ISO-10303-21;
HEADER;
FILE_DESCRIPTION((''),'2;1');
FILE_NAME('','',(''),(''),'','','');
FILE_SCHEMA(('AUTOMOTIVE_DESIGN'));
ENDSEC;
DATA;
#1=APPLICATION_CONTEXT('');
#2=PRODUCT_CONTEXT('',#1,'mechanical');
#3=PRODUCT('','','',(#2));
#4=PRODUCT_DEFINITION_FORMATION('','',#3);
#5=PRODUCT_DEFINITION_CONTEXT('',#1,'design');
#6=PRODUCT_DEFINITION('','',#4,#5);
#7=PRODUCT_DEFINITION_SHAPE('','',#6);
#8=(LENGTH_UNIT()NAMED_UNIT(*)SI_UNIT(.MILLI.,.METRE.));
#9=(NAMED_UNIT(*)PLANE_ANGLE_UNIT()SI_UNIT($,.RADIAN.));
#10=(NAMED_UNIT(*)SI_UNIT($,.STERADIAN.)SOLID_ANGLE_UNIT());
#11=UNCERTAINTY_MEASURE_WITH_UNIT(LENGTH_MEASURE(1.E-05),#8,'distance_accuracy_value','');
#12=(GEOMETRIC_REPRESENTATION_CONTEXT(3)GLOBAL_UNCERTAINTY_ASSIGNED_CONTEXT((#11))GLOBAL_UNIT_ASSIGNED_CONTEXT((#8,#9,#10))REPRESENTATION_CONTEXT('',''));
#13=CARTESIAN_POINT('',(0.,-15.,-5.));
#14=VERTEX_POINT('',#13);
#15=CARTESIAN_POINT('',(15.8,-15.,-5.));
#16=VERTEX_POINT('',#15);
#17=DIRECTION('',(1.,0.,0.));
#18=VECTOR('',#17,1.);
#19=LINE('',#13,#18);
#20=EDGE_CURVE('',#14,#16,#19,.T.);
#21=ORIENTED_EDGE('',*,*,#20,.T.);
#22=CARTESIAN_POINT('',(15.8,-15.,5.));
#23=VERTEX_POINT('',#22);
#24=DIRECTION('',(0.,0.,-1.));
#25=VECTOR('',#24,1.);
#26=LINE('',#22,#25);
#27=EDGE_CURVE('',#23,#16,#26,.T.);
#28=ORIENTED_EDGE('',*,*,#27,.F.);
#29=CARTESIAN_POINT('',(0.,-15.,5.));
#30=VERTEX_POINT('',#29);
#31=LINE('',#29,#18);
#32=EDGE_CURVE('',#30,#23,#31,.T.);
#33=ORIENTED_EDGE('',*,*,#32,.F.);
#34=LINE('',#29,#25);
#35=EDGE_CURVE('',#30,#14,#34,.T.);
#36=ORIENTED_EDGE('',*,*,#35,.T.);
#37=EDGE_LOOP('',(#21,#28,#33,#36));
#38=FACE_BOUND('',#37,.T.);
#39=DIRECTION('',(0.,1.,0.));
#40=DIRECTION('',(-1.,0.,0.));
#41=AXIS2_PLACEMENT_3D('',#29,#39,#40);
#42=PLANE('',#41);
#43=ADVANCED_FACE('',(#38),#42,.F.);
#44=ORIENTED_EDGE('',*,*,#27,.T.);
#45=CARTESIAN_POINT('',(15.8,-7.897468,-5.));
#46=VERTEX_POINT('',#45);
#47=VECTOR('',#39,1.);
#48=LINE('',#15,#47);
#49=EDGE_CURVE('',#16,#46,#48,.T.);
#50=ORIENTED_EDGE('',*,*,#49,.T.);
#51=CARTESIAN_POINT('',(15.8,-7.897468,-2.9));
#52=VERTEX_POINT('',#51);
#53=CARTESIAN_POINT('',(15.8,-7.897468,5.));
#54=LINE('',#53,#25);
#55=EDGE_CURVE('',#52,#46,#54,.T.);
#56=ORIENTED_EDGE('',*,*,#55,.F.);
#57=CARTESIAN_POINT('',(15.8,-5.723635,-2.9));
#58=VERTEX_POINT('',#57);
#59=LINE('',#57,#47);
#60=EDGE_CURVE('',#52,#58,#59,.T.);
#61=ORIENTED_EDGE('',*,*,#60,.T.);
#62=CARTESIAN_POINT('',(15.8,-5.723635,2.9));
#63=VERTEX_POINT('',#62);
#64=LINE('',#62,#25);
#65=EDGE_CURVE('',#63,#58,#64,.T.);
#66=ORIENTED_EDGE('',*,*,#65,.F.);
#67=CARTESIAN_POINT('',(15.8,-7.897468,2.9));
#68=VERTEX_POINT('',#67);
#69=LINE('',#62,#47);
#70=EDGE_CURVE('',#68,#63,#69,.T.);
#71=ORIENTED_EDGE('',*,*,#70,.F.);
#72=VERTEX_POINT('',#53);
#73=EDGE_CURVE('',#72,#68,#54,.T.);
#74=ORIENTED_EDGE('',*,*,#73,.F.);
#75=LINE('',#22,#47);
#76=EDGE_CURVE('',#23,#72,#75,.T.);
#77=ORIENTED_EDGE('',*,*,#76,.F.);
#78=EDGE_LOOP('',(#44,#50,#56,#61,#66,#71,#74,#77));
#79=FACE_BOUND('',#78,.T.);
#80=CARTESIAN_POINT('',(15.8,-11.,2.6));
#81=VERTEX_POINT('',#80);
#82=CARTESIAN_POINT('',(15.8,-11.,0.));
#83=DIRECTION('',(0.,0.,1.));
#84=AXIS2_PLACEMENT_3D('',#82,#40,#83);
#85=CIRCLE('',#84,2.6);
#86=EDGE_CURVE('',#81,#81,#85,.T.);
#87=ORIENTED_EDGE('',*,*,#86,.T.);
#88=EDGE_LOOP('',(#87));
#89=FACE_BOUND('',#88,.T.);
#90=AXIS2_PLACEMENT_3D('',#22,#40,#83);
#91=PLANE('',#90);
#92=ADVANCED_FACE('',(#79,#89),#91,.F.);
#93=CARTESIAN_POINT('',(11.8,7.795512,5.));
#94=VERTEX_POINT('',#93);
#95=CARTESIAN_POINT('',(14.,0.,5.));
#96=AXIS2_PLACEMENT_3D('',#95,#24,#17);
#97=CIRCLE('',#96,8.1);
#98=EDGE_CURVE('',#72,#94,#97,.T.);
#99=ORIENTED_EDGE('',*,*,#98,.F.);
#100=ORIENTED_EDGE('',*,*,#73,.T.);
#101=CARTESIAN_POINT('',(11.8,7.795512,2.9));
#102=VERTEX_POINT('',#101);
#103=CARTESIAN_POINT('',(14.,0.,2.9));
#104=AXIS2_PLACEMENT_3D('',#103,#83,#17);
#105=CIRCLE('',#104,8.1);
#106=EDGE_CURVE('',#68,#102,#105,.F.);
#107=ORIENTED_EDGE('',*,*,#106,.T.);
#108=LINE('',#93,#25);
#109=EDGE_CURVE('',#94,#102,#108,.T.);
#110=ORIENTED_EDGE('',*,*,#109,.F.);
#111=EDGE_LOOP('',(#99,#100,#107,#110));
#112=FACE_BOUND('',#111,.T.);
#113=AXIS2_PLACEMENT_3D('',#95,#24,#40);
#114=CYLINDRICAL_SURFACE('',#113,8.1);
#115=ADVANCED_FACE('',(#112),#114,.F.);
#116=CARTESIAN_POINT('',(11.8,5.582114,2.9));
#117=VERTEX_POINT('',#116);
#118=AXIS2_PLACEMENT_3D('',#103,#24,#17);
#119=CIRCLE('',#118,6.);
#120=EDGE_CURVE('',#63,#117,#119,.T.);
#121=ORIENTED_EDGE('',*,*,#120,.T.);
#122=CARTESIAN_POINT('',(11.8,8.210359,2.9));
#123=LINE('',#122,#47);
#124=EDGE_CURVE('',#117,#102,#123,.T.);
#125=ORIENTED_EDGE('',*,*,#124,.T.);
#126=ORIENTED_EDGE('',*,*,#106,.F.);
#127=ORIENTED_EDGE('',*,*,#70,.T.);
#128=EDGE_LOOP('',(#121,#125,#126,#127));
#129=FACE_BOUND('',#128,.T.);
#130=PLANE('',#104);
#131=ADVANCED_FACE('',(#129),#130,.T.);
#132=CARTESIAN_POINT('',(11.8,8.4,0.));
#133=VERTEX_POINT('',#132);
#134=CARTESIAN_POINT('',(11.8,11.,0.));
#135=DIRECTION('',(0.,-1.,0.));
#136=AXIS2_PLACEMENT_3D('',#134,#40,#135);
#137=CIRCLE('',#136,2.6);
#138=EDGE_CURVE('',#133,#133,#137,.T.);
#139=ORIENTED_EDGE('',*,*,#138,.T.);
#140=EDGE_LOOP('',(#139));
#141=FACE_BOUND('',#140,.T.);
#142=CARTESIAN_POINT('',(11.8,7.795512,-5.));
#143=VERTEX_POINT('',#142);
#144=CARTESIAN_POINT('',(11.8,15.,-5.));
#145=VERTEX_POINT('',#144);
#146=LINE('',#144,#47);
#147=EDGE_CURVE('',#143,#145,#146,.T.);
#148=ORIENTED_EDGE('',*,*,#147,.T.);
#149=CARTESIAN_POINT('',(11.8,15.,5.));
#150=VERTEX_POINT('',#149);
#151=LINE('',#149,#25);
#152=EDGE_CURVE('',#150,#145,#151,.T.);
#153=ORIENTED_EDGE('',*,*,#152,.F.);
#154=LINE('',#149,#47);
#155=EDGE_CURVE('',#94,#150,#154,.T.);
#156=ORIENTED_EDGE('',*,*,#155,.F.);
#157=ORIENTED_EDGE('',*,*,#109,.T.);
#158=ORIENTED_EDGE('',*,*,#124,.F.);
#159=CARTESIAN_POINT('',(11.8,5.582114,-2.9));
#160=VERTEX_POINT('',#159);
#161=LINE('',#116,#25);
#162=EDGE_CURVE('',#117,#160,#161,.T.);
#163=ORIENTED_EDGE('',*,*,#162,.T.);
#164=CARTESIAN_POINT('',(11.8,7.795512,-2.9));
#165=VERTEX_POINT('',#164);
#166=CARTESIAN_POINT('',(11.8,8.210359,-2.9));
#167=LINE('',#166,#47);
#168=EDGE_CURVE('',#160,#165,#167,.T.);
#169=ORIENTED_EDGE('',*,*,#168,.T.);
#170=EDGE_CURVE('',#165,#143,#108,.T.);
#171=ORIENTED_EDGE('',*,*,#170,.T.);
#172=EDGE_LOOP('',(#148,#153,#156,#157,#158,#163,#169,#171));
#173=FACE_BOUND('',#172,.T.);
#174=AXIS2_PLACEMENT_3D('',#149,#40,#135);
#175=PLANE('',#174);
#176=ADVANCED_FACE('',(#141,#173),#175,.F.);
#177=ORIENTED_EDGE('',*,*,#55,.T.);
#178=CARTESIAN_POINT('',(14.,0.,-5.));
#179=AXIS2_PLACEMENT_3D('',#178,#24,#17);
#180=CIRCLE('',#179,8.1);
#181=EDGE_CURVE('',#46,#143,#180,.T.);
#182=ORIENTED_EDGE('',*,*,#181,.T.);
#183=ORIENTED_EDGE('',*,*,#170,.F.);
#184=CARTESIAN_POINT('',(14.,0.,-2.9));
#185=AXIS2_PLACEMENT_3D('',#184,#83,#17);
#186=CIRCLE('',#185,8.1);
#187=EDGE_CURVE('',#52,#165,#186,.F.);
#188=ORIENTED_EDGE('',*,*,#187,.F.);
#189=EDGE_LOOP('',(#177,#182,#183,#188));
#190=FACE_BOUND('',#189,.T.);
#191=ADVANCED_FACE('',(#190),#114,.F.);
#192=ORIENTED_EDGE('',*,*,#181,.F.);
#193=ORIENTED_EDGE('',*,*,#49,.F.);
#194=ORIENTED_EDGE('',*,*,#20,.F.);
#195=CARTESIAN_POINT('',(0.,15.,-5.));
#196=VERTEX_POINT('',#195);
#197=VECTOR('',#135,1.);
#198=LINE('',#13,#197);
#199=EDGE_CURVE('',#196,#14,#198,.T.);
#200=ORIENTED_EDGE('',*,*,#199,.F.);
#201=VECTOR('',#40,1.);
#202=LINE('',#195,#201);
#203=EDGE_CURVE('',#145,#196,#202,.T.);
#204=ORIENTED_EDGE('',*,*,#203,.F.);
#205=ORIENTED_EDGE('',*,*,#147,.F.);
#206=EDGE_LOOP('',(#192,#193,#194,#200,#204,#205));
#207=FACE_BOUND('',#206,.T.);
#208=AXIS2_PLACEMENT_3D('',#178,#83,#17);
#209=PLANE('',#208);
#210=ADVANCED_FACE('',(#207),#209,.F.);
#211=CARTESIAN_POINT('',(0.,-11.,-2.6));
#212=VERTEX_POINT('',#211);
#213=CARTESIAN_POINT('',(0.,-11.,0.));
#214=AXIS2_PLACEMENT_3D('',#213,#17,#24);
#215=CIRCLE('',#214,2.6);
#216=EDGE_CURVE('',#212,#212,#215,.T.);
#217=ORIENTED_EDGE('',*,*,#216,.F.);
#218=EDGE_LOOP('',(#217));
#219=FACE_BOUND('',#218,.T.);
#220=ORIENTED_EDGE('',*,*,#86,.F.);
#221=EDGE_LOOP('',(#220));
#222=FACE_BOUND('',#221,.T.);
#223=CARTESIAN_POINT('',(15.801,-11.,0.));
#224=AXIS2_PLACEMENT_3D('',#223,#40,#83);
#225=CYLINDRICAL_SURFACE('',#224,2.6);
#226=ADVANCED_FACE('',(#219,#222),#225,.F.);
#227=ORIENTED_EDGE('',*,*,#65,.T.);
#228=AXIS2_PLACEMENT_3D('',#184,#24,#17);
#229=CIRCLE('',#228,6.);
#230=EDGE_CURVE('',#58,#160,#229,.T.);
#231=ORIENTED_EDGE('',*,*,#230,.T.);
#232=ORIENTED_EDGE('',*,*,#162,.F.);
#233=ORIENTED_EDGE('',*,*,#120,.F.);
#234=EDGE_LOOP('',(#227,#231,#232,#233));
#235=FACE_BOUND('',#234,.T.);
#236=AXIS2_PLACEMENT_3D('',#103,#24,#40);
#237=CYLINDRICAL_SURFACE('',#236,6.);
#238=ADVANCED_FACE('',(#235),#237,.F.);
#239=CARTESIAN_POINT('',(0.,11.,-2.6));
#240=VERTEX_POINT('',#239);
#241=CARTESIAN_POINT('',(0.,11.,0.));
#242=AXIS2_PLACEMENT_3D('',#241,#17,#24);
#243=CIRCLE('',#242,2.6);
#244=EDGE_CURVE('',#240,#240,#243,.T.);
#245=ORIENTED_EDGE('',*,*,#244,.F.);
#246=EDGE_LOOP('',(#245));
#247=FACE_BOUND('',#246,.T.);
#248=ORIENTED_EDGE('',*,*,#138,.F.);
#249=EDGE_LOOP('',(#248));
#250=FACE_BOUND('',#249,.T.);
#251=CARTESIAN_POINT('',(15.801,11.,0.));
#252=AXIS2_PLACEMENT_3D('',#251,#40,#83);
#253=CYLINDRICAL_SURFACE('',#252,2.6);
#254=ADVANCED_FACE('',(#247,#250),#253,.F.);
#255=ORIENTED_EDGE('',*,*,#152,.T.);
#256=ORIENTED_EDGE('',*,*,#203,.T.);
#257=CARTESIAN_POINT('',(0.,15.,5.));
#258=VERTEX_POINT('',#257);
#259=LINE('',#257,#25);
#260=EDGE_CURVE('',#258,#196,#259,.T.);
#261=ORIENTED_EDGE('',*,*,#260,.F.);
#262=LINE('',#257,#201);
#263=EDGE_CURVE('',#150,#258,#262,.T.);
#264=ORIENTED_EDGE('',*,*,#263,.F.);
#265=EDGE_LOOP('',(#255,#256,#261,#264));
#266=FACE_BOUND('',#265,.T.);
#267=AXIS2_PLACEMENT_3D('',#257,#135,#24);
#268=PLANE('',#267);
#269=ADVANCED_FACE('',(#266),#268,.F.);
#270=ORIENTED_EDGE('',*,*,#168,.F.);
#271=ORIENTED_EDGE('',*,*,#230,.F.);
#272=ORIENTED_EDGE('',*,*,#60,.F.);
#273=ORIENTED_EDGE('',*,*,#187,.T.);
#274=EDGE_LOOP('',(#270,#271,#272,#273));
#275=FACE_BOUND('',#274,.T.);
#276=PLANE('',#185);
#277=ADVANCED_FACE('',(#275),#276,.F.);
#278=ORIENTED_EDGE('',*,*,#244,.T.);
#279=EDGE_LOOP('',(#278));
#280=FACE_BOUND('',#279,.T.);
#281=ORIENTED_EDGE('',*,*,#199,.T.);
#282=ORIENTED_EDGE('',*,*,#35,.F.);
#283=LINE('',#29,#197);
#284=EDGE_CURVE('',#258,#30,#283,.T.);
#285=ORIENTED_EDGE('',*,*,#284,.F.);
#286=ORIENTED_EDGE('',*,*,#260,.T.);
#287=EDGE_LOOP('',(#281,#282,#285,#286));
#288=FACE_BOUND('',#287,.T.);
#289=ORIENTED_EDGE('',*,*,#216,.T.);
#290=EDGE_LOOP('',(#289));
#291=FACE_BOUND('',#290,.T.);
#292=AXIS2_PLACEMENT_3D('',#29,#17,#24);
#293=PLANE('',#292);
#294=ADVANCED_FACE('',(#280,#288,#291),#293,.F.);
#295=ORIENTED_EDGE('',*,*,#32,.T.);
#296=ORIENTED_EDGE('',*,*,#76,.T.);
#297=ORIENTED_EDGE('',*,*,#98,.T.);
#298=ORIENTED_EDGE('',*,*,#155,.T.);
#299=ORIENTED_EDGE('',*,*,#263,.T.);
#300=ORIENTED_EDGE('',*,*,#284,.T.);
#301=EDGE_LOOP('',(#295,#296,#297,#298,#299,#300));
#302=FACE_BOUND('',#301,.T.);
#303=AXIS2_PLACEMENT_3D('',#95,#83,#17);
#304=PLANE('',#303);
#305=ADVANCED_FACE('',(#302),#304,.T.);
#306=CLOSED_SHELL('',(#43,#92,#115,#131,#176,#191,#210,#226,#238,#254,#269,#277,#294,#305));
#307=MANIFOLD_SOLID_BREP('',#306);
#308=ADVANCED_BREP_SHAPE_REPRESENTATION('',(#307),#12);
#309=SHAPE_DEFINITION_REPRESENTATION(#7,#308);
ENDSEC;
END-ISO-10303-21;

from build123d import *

# Parameters (mm, degrees)
BOSS_EXTRUDE2_DEPTH = 5
BOSS_EXTRUDE3_DEPTH = 2.9
CUT_EXTRUDE1_REACH  = 24.353
SKETCH5_R           = 2.6


with BuildPart() as part:
    # Sketch3 → Boss-Extrude2 (new, symmetric)
    with BuildSketch(Plane.XY):
        with BuildLine():
            Line((0, -15), (0, 15))
            Line((0, 15), (11.8, 15))
            Line((11.8, 15), (11.8, 7.795511529))
            ThreePointArc((11.8, 7.795511529), (6.150961765, -2.000649589), (15.8, -7.897467949))
            Line((15.8, -7.897467949), (15.8, -15))
            Line((15.8, -15), (0, -15))
        make_face()
    extrude(amount=BOSS_EXTRUDE2_DEPTH, both=True)

    # Sketch4 → Boss-Extrude3 (add, symmetric)
    with BuildSketch(Plane.XY):
        with BuildLine():
            Line((11.8, 8.21035931), (11.8, 5.582114295))
            ThreePointArc((11.8, 5.582114295), (8.343588332, -2.001251369), (15.8, -5.723635209))
            Line((15.8, -5.723635209), (15.8, -8.30722577))
            ThreePointArc((15.8, -8.30722577), (5.738786153, -2.000586358), (11.8, 8.21035931))
        make_face()
    extrude(amount=BOSS_EXTRUDE3_DEPTH, both=True)

    # Sketch5 → Cut-Extrude1 (cut, up to next)
    with BuildSketch(Plane(origin=(0, 0, 0), x_dir=(0, 0, -1), z_dir=(1, 0, 0)), mode=Mode.PRIVATE) as cut_extrude1_sk1:
        with Locations(Location((0, 11, 0), (0, 0, 270))):
            Circle(SKETCH5_R)
    cut_extrude1_tool1 = extrude(cut_extrude1_sk1.sketch, amount=CUT_EXTRUDE1_REACH, mode=Mode.PRIVATE) & part.part
    # Sketch5 → Cut-Extrude1 (cut, up to next)
    with BuildSketch(Plane(origin=(0, 0, 0), x_dir=(0, 0, -1), z_dir=(1, 0, 0)), mode=Mode.PRIVATE) as cut_extrude1_sk2:
        with Locations(Location((0, -11, 0), (0, 0, 180))):
            Circle(SKETCH5_R)
    cut_extrude1_tool2 = extrude(cut_extrude1_sk2.sketch, amount=CUT_EXTRUDE1_REACH, mode=Mode.PRIVATE) & part.part
    add(cut_extrude1_tool1.solids().sort_by_distance((0, 11, 0))[0], mode=Mode.SUBTRACT)
    add(cut_extrude1_tool2.solids().sort_by_distance((0, -11, 0))[0], mode=Mode.SUBTRACT)


solid = part.part
